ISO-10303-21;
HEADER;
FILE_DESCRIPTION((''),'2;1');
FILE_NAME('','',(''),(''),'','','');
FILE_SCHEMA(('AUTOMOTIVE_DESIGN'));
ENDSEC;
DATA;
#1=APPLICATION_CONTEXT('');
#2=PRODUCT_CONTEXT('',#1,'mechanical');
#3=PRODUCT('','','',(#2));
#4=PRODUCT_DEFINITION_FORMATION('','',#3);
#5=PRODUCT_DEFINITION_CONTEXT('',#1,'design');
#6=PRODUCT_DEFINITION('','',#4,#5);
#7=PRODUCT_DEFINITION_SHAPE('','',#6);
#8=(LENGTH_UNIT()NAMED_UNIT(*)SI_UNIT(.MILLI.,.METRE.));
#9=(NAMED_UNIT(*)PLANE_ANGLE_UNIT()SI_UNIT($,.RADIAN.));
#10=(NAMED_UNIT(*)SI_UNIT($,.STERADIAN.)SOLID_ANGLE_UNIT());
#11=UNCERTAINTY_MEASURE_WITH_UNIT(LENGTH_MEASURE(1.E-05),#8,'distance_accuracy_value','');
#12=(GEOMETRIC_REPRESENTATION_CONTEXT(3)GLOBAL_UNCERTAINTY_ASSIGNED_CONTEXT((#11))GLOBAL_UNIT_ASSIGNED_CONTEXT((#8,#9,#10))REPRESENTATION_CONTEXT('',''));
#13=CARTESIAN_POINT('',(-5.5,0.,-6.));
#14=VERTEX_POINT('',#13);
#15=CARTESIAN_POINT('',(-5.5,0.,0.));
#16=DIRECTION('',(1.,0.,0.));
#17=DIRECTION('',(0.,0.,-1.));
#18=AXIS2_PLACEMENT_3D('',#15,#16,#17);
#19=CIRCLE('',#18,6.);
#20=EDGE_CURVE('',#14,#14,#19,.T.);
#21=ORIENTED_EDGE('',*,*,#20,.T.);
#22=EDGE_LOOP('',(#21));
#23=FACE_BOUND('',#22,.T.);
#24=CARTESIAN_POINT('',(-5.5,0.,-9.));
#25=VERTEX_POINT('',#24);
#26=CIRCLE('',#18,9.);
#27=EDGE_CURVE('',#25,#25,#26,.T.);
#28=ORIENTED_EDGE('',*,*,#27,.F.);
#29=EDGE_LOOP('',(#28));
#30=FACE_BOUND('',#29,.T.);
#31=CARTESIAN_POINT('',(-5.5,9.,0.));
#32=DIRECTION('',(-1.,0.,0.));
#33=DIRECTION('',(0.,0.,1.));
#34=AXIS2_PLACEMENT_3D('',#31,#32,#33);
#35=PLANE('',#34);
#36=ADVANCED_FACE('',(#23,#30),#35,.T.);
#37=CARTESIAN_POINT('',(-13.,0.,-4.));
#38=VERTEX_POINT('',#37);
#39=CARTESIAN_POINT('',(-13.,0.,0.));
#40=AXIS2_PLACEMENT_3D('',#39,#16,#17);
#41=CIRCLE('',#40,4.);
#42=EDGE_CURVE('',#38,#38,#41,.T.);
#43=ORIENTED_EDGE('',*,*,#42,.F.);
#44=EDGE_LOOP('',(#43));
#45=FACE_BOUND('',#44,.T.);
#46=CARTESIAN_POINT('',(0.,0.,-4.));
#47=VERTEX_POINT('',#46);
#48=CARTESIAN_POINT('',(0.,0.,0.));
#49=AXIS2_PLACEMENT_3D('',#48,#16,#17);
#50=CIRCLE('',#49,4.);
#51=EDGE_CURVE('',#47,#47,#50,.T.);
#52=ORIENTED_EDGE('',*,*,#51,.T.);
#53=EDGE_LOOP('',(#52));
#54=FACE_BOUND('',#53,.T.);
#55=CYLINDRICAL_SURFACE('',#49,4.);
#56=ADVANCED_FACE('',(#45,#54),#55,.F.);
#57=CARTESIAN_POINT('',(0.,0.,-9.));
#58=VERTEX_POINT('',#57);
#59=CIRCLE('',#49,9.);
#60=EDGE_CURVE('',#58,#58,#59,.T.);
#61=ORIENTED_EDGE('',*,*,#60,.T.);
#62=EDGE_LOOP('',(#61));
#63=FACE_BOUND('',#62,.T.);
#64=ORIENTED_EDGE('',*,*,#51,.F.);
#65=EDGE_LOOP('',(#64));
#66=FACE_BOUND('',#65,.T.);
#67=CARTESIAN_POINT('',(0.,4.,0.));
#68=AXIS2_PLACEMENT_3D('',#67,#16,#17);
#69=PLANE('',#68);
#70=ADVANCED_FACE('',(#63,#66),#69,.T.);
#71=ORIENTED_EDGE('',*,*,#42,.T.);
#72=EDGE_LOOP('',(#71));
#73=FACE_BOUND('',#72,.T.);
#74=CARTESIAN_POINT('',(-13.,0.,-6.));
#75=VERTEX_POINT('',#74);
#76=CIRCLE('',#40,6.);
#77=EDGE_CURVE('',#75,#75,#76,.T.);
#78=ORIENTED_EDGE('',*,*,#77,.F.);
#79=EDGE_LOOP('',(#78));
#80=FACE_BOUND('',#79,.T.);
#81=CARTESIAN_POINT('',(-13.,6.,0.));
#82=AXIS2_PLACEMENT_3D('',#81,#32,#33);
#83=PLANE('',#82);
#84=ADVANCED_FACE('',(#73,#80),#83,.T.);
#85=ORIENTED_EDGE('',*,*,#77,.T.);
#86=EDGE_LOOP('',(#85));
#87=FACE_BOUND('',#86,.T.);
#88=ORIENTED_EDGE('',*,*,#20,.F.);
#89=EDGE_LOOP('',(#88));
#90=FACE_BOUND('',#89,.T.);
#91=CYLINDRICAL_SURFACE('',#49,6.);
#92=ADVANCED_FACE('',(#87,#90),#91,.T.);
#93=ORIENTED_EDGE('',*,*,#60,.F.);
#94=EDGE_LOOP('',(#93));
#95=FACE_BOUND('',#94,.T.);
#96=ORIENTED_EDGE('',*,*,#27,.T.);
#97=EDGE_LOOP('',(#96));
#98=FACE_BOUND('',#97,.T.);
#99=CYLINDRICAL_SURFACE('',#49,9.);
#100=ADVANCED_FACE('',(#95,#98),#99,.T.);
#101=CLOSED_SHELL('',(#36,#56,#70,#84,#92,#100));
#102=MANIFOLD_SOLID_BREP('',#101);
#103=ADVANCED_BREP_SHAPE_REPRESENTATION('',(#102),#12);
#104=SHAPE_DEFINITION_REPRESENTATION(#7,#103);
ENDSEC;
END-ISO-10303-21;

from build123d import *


with BuildPart() as part:
    # 草图1 → 旋转1 (revolve)
    with BuildSketch(Plane.XY, mode=Mode.PRIVATE) as revolve_1_sk:
        Polygon((0, 4), (0, 9), (-5.5, 9), (-5.5, 6), (-13, 6), (-13, 4), align=None)
    revolve(revolve_1_sk.sketch.rotate(Axis((0, 0, 0), (-1, 0, 0)), 90), axis=Axis((0, 0, 0), (-1, 0, 0)))


solid = part.part
